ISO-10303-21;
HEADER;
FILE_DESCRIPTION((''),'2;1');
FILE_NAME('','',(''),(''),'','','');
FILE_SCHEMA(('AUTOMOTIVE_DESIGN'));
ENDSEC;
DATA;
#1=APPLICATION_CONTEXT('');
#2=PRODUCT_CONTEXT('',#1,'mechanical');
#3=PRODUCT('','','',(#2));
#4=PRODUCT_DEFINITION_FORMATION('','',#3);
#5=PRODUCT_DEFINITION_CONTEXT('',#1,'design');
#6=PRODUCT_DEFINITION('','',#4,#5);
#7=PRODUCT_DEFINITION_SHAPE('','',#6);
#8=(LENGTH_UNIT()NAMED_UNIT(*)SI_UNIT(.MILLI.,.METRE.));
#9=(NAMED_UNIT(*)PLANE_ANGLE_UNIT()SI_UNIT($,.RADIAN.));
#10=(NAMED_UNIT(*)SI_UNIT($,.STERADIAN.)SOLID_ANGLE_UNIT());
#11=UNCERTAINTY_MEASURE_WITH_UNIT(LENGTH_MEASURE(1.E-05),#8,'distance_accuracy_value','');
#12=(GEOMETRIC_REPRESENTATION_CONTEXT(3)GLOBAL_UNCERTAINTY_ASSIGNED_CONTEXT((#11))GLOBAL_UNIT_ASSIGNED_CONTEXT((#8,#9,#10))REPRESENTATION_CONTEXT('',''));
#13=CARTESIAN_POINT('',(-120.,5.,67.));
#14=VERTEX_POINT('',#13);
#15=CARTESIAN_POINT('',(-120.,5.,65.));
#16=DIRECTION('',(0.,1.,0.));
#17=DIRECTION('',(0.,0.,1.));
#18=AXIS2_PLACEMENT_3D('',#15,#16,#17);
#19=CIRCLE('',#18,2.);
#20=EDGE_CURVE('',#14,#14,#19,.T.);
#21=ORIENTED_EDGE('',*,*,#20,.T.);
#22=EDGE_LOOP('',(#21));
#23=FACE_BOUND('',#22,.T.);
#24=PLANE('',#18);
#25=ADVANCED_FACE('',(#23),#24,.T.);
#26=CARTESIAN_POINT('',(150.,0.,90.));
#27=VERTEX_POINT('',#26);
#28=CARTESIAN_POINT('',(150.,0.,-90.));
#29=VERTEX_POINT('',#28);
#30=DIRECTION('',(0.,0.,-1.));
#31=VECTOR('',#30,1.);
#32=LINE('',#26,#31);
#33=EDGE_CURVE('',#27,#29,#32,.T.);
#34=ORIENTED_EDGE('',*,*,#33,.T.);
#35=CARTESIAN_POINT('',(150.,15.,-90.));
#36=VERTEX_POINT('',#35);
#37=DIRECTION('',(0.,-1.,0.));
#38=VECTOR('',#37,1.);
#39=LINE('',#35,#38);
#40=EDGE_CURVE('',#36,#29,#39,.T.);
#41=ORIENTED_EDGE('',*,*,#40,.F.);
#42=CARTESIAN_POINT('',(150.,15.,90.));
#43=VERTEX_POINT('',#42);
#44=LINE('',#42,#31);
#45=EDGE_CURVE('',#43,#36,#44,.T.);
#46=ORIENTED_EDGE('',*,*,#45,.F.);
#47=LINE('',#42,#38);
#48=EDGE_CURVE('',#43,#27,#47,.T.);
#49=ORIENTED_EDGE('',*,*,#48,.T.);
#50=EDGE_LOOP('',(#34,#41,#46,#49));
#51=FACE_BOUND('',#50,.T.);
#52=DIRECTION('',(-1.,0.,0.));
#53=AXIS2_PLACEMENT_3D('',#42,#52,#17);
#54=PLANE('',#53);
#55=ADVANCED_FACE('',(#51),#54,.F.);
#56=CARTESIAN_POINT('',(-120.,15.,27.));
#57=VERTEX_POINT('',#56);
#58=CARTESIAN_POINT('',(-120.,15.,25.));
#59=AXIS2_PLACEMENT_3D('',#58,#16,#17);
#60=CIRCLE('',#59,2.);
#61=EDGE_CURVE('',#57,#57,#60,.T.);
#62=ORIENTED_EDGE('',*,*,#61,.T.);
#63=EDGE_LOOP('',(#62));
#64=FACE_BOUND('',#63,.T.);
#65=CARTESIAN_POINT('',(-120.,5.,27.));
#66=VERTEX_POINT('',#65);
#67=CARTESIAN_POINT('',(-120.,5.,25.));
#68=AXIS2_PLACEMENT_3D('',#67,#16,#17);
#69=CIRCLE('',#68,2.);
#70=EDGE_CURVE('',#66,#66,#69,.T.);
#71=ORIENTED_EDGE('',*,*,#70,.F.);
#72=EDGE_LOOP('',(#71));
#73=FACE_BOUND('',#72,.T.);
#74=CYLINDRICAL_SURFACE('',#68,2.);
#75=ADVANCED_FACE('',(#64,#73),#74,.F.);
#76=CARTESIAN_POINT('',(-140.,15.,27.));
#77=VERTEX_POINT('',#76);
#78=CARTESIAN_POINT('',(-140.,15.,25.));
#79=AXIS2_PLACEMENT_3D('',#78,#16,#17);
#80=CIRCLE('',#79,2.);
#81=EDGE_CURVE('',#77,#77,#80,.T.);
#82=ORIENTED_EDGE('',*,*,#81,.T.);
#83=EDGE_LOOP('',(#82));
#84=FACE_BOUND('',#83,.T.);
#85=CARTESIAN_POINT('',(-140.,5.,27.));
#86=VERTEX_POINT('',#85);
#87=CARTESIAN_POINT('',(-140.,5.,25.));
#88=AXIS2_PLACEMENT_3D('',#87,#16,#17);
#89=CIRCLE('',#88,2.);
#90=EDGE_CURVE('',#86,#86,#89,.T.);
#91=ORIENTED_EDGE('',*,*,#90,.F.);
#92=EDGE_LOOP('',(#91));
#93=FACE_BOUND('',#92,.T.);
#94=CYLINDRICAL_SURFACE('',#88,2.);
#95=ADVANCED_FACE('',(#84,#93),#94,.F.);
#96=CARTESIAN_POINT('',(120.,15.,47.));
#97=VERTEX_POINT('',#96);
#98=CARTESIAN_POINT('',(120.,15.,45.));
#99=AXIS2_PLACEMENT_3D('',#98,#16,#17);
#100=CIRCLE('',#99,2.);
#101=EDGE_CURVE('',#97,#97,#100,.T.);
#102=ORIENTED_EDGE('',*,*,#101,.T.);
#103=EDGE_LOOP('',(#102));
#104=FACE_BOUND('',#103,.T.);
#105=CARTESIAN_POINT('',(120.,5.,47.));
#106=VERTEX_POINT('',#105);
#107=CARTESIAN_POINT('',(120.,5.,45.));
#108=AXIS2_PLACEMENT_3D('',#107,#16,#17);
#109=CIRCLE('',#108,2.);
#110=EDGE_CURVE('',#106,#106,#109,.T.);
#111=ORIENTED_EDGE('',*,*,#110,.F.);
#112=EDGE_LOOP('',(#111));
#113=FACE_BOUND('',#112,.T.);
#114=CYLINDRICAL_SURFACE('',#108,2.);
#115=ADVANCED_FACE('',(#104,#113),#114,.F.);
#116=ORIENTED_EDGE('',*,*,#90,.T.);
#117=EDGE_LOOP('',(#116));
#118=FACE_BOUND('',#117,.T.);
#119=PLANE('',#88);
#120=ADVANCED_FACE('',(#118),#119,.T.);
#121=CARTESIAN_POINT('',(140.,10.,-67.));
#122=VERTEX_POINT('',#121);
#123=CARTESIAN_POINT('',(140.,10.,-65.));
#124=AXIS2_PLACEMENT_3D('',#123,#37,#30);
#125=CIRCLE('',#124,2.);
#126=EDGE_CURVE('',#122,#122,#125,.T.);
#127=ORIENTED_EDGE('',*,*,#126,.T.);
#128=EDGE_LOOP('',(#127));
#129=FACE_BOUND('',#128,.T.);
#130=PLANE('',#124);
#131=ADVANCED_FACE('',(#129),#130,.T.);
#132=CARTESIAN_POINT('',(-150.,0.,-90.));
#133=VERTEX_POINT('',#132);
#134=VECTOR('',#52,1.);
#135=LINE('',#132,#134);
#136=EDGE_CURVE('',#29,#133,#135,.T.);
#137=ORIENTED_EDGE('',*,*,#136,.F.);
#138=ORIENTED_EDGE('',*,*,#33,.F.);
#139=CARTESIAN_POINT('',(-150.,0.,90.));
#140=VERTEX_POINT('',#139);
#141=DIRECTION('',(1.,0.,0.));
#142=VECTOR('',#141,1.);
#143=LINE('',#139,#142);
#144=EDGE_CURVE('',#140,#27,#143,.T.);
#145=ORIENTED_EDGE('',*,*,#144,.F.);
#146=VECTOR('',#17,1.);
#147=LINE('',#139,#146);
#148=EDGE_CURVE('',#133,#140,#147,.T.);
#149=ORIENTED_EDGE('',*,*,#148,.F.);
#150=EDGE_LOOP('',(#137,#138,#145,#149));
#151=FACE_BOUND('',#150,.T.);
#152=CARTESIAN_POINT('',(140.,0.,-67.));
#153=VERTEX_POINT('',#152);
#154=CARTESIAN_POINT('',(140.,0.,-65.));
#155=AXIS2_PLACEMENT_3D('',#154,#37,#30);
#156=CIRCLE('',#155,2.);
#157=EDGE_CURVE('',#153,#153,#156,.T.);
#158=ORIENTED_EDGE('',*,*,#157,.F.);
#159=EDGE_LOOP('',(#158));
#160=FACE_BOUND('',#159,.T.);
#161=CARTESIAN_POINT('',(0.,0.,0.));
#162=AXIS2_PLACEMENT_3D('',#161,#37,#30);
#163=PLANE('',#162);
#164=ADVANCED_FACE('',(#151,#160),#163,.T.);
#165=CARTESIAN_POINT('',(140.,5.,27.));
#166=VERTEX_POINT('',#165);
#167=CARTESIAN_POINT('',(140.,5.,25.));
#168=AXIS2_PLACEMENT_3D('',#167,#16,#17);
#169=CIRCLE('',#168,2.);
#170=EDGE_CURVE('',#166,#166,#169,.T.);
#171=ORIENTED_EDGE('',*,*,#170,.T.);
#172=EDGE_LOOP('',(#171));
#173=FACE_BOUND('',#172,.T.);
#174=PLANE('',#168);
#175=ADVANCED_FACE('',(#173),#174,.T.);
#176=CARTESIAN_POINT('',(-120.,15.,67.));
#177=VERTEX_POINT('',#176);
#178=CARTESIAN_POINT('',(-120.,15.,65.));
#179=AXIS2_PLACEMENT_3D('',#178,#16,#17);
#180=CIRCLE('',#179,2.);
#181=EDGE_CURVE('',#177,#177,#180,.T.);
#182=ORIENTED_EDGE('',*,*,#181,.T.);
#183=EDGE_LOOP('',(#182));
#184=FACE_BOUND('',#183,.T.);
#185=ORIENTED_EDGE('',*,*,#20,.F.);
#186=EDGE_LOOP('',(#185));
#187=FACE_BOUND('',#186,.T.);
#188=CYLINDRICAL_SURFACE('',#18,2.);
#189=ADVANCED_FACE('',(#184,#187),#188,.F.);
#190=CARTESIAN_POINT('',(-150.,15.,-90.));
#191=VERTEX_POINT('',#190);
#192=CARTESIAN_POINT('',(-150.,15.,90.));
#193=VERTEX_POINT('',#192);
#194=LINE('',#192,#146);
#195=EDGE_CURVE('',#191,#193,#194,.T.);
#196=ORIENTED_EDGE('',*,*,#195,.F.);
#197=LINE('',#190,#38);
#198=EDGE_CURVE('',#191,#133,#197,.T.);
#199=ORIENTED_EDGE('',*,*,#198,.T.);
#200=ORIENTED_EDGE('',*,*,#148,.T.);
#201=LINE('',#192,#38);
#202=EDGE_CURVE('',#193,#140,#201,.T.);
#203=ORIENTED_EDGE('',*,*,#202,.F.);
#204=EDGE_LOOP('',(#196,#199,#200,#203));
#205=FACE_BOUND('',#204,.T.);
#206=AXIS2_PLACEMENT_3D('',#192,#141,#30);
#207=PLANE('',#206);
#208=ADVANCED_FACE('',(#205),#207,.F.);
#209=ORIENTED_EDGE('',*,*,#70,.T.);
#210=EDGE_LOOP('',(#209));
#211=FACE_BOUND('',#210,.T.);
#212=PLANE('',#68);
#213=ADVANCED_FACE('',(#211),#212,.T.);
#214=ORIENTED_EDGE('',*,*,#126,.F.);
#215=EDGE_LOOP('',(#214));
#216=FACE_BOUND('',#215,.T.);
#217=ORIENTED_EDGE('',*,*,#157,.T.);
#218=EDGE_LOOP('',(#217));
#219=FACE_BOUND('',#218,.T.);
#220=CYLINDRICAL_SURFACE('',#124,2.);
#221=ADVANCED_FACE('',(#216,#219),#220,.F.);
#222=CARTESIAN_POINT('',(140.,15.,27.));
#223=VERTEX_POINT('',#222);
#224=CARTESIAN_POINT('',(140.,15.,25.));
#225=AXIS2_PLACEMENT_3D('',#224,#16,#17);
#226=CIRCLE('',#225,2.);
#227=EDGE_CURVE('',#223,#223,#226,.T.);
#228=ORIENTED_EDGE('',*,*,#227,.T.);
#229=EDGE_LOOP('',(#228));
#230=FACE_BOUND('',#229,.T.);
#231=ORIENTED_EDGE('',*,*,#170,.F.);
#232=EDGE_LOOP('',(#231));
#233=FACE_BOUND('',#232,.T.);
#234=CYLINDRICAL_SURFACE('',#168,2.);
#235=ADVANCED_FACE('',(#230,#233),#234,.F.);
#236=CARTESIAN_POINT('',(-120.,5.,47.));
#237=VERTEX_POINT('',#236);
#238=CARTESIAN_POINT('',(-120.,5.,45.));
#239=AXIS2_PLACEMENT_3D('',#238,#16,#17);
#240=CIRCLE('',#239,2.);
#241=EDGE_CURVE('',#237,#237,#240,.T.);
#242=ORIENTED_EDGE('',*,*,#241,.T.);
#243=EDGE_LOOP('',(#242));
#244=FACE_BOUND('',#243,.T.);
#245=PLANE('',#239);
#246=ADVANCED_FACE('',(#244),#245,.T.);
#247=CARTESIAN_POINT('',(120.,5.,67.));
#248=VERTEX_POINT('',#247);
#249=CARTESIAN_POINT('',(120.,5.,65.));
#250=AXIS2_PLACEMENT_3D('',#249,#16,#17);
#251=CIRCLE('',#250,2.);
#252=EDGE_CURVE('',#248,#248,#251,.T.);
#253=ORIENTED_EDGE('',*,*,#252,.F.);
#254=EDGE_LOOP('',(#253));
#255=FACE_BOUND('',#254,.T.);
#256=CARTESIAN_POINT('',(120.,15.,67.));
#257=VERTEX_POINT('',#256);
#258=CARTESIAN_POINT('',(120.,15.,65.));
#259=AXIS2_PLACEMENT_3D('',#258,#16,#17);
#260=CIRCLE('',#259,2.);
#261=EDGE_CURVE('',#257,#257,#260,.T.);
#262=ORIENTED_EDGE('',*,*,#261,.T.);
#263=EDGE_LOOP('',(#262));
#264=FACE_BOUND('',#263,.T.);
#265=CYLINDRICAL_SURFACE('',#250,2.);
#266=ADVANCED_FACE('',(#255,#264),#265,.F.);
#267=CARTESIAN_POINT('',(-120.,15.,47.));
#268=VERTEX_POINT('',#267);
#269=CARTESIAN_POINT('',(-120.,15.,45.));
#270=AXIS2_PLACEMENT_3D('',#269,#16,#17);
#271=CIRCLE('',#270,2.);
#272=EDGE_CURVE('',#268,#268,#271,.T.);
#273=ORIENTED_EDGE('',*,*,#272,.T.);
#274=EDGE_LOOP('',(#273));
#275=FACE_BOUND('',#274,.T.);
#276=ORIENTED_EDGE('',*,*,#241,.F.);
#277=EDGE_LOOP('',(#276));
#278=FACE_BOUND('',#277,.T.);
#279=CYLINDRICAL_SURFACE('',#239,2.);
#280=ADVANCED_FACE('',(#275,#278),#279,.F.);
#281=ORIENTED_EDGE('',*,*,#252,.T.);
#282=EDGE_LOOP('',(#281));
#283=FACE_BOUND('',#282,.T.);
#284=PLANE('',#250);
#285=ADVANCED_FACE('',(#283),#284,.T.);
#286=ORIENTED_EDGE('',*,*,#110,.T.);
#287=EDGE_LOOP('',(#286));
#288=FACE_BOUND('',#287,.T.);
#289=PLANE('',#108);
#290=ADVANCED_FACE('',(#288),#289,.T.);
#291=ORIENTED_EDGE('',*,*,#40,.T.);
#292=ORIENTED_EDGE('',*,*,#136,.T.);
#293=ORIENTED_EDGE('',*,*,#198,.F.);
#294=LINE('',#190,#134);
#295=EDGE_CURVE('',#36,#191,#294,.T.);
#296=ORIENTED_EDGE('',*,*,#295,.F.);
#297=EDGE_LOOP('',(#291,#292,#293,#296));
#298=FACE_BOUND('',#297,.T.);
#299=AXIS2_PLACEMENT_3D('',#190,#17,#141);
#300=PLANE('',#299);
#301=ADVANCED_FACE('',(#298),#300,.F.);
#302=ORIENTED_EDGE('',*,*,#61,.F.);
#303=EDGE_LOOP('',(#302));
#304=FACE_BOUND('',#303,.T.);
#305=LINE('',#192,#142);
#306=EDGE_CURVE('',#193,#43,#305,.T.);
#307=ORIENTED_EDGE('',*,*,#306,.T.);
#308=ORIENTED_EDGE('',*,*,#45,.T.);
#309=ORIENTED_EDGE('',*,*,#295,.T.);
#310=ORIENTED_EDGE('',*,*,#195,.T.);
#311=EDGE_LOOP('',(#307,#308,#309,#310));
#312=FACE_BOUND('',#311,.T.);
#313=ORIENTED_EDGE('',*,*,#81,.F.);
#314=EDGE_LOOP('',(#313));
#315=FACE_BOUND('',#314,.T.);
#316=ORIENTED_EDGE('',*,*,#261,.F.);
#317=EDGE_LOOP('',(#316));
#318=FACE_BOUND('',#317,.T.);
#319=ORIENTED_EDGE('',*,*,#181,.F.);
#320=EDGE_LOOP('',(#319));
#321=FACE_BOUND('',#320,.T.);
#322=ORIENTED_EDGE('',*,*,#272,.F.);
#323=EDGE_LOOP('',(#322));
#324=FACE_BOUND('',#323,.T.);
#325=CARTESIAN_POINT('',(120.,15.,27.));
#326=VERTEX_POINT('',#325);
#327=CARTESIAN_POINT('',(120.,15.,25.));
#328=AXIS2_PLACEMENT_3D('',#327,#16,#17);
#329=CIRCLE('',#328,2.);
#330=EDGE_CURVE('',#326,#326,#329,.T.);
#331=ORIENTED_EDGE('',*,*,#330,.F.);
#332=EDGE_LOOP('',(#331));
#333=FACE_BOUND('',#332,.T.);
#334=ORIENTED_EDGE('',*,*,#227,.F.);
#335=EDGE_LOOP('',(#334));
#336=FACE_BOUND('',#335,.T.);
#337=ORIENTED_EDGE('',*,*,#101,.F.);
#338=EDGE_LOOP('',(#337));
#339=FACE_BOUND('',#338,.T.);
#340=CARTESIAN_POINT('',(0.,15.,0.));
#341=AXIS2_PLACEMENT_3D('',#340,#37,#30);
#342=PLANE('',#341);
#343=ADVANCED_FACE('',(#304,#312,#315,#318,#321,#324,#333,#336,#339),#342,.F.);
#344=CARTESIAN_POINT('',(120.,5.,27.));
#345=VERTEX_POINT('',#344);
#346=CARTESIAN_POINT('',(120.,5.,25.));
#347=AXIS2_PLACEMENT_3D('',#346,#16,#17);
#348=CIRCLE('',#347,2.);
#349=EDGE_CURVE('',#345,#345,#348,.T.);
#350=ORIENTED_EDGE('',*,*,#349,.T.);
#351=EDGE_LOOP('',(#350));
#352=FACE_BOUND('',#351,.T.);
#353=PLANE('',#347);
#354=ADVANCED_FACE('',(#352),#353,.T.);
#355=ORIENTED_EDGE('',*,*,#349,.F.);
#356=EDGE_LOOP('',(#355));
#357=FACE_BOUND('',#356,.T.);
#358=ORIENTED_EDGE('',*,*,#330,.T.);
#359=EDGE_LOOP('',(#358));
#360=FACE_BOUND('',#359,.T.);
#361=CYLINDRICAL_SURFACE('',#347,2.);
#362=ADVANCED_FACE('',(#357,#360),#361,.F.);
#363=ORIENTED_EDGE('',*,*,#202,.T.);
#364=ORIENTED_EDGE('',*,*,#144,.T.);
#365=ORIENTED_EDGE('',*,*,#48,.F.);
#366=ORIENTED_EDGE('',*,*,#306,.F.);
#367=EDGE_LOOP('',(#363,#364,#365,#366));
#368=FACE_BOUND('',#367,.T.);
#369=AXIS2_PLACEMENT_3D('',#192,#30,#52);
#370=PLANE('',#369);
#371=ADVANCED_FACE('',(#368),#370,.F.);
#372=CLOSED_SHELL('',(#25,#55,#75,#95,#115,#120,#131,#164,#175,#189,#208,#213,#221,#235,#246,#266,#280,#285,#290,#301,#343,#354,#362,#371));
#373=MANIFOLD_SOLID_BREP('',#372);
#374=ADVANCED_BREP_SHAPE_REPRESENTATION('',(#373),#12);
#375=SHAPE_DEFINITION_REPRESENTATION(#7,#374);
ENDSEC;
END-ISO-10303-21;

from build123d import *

# Parameters (mm, degrees)
CROQUIS1_W              = 300
CROQUIS1_H              = 180
SALIENTE_EXTRUIR1_DEPTH = 15
CROQUIS2_R              = 2
CORTAR_EXTRUIR1_DEPTH   = 10
CROQUIS3_R              = 2
CORTAR_EXTRUIR2_DEPTH   = 10


with BuildPart() as part:
    # Croquis1 → Saliente-Extruir1 (new body)
    with BuildSketch(Plane(origin=(0, 0, 0), x_dir=(1, 0, 0), z_dir=(0, 1, 0))):
        Rectangle(CROQUIS1_W, CROQUIS1_H)
    extrude(amount=SALIENTE_EXTRUIR1_DEPTH)

    # Croquis2 → Cortar-Extruir1 (cut)
    with BuildSketch(Plane(origin=(0, 15, 0), x_dir=(1, 0, 0), z_dir=(0, 1, 0))):
        with Locations(Location((-120, -65, 0), (0, 0, 270))):
            Circle(CROQUIS2_R)
        with Locations(Location((-120, -45, 0), (0, 0, 270))):
            Circle(CROQUIS2_R)
        with Locations(Location((120, -65, 0), (0, 0, 270))):
            Circle(CROQUIS2_R)
        with Locations(Location((120, -45, 0), (0, 0, 270))):
            Circle(CROQUIS2_R)
        with Locations(Location((-140, -25, 0), (0, 0, 270))):
            Circle(CROQUIS2_R)
        with Locations(Location((-120, -25, 0), (0, 0, 270))):
            Circle(CROQUIS2_R)
        with Locations(Location((120, -25, 0), (0, 0, 270))):
            Circle(CROQUIS2_R)
        with Locations(Location((140, -25, 0), (0, 0, 270))):
            Circle(CROQUIS2_R)
    extrude(amount=-CORTAR_EXTRUIR1_DEPTH, mode=Mode.SUBTRACT)

    # Croquis3 → Cortar-Extruir2 (cut)
    with BuildSketch(Plane.XZ):
        with Locations(Location((140, -65, 0), (0, 0, 270))):
            Circle(CROQUIS3_R)
    extrude(amount=-CORTAR_EXTRUIR2_DEPTH, mode=Mode.SUBTRACT)


solid = part.part
